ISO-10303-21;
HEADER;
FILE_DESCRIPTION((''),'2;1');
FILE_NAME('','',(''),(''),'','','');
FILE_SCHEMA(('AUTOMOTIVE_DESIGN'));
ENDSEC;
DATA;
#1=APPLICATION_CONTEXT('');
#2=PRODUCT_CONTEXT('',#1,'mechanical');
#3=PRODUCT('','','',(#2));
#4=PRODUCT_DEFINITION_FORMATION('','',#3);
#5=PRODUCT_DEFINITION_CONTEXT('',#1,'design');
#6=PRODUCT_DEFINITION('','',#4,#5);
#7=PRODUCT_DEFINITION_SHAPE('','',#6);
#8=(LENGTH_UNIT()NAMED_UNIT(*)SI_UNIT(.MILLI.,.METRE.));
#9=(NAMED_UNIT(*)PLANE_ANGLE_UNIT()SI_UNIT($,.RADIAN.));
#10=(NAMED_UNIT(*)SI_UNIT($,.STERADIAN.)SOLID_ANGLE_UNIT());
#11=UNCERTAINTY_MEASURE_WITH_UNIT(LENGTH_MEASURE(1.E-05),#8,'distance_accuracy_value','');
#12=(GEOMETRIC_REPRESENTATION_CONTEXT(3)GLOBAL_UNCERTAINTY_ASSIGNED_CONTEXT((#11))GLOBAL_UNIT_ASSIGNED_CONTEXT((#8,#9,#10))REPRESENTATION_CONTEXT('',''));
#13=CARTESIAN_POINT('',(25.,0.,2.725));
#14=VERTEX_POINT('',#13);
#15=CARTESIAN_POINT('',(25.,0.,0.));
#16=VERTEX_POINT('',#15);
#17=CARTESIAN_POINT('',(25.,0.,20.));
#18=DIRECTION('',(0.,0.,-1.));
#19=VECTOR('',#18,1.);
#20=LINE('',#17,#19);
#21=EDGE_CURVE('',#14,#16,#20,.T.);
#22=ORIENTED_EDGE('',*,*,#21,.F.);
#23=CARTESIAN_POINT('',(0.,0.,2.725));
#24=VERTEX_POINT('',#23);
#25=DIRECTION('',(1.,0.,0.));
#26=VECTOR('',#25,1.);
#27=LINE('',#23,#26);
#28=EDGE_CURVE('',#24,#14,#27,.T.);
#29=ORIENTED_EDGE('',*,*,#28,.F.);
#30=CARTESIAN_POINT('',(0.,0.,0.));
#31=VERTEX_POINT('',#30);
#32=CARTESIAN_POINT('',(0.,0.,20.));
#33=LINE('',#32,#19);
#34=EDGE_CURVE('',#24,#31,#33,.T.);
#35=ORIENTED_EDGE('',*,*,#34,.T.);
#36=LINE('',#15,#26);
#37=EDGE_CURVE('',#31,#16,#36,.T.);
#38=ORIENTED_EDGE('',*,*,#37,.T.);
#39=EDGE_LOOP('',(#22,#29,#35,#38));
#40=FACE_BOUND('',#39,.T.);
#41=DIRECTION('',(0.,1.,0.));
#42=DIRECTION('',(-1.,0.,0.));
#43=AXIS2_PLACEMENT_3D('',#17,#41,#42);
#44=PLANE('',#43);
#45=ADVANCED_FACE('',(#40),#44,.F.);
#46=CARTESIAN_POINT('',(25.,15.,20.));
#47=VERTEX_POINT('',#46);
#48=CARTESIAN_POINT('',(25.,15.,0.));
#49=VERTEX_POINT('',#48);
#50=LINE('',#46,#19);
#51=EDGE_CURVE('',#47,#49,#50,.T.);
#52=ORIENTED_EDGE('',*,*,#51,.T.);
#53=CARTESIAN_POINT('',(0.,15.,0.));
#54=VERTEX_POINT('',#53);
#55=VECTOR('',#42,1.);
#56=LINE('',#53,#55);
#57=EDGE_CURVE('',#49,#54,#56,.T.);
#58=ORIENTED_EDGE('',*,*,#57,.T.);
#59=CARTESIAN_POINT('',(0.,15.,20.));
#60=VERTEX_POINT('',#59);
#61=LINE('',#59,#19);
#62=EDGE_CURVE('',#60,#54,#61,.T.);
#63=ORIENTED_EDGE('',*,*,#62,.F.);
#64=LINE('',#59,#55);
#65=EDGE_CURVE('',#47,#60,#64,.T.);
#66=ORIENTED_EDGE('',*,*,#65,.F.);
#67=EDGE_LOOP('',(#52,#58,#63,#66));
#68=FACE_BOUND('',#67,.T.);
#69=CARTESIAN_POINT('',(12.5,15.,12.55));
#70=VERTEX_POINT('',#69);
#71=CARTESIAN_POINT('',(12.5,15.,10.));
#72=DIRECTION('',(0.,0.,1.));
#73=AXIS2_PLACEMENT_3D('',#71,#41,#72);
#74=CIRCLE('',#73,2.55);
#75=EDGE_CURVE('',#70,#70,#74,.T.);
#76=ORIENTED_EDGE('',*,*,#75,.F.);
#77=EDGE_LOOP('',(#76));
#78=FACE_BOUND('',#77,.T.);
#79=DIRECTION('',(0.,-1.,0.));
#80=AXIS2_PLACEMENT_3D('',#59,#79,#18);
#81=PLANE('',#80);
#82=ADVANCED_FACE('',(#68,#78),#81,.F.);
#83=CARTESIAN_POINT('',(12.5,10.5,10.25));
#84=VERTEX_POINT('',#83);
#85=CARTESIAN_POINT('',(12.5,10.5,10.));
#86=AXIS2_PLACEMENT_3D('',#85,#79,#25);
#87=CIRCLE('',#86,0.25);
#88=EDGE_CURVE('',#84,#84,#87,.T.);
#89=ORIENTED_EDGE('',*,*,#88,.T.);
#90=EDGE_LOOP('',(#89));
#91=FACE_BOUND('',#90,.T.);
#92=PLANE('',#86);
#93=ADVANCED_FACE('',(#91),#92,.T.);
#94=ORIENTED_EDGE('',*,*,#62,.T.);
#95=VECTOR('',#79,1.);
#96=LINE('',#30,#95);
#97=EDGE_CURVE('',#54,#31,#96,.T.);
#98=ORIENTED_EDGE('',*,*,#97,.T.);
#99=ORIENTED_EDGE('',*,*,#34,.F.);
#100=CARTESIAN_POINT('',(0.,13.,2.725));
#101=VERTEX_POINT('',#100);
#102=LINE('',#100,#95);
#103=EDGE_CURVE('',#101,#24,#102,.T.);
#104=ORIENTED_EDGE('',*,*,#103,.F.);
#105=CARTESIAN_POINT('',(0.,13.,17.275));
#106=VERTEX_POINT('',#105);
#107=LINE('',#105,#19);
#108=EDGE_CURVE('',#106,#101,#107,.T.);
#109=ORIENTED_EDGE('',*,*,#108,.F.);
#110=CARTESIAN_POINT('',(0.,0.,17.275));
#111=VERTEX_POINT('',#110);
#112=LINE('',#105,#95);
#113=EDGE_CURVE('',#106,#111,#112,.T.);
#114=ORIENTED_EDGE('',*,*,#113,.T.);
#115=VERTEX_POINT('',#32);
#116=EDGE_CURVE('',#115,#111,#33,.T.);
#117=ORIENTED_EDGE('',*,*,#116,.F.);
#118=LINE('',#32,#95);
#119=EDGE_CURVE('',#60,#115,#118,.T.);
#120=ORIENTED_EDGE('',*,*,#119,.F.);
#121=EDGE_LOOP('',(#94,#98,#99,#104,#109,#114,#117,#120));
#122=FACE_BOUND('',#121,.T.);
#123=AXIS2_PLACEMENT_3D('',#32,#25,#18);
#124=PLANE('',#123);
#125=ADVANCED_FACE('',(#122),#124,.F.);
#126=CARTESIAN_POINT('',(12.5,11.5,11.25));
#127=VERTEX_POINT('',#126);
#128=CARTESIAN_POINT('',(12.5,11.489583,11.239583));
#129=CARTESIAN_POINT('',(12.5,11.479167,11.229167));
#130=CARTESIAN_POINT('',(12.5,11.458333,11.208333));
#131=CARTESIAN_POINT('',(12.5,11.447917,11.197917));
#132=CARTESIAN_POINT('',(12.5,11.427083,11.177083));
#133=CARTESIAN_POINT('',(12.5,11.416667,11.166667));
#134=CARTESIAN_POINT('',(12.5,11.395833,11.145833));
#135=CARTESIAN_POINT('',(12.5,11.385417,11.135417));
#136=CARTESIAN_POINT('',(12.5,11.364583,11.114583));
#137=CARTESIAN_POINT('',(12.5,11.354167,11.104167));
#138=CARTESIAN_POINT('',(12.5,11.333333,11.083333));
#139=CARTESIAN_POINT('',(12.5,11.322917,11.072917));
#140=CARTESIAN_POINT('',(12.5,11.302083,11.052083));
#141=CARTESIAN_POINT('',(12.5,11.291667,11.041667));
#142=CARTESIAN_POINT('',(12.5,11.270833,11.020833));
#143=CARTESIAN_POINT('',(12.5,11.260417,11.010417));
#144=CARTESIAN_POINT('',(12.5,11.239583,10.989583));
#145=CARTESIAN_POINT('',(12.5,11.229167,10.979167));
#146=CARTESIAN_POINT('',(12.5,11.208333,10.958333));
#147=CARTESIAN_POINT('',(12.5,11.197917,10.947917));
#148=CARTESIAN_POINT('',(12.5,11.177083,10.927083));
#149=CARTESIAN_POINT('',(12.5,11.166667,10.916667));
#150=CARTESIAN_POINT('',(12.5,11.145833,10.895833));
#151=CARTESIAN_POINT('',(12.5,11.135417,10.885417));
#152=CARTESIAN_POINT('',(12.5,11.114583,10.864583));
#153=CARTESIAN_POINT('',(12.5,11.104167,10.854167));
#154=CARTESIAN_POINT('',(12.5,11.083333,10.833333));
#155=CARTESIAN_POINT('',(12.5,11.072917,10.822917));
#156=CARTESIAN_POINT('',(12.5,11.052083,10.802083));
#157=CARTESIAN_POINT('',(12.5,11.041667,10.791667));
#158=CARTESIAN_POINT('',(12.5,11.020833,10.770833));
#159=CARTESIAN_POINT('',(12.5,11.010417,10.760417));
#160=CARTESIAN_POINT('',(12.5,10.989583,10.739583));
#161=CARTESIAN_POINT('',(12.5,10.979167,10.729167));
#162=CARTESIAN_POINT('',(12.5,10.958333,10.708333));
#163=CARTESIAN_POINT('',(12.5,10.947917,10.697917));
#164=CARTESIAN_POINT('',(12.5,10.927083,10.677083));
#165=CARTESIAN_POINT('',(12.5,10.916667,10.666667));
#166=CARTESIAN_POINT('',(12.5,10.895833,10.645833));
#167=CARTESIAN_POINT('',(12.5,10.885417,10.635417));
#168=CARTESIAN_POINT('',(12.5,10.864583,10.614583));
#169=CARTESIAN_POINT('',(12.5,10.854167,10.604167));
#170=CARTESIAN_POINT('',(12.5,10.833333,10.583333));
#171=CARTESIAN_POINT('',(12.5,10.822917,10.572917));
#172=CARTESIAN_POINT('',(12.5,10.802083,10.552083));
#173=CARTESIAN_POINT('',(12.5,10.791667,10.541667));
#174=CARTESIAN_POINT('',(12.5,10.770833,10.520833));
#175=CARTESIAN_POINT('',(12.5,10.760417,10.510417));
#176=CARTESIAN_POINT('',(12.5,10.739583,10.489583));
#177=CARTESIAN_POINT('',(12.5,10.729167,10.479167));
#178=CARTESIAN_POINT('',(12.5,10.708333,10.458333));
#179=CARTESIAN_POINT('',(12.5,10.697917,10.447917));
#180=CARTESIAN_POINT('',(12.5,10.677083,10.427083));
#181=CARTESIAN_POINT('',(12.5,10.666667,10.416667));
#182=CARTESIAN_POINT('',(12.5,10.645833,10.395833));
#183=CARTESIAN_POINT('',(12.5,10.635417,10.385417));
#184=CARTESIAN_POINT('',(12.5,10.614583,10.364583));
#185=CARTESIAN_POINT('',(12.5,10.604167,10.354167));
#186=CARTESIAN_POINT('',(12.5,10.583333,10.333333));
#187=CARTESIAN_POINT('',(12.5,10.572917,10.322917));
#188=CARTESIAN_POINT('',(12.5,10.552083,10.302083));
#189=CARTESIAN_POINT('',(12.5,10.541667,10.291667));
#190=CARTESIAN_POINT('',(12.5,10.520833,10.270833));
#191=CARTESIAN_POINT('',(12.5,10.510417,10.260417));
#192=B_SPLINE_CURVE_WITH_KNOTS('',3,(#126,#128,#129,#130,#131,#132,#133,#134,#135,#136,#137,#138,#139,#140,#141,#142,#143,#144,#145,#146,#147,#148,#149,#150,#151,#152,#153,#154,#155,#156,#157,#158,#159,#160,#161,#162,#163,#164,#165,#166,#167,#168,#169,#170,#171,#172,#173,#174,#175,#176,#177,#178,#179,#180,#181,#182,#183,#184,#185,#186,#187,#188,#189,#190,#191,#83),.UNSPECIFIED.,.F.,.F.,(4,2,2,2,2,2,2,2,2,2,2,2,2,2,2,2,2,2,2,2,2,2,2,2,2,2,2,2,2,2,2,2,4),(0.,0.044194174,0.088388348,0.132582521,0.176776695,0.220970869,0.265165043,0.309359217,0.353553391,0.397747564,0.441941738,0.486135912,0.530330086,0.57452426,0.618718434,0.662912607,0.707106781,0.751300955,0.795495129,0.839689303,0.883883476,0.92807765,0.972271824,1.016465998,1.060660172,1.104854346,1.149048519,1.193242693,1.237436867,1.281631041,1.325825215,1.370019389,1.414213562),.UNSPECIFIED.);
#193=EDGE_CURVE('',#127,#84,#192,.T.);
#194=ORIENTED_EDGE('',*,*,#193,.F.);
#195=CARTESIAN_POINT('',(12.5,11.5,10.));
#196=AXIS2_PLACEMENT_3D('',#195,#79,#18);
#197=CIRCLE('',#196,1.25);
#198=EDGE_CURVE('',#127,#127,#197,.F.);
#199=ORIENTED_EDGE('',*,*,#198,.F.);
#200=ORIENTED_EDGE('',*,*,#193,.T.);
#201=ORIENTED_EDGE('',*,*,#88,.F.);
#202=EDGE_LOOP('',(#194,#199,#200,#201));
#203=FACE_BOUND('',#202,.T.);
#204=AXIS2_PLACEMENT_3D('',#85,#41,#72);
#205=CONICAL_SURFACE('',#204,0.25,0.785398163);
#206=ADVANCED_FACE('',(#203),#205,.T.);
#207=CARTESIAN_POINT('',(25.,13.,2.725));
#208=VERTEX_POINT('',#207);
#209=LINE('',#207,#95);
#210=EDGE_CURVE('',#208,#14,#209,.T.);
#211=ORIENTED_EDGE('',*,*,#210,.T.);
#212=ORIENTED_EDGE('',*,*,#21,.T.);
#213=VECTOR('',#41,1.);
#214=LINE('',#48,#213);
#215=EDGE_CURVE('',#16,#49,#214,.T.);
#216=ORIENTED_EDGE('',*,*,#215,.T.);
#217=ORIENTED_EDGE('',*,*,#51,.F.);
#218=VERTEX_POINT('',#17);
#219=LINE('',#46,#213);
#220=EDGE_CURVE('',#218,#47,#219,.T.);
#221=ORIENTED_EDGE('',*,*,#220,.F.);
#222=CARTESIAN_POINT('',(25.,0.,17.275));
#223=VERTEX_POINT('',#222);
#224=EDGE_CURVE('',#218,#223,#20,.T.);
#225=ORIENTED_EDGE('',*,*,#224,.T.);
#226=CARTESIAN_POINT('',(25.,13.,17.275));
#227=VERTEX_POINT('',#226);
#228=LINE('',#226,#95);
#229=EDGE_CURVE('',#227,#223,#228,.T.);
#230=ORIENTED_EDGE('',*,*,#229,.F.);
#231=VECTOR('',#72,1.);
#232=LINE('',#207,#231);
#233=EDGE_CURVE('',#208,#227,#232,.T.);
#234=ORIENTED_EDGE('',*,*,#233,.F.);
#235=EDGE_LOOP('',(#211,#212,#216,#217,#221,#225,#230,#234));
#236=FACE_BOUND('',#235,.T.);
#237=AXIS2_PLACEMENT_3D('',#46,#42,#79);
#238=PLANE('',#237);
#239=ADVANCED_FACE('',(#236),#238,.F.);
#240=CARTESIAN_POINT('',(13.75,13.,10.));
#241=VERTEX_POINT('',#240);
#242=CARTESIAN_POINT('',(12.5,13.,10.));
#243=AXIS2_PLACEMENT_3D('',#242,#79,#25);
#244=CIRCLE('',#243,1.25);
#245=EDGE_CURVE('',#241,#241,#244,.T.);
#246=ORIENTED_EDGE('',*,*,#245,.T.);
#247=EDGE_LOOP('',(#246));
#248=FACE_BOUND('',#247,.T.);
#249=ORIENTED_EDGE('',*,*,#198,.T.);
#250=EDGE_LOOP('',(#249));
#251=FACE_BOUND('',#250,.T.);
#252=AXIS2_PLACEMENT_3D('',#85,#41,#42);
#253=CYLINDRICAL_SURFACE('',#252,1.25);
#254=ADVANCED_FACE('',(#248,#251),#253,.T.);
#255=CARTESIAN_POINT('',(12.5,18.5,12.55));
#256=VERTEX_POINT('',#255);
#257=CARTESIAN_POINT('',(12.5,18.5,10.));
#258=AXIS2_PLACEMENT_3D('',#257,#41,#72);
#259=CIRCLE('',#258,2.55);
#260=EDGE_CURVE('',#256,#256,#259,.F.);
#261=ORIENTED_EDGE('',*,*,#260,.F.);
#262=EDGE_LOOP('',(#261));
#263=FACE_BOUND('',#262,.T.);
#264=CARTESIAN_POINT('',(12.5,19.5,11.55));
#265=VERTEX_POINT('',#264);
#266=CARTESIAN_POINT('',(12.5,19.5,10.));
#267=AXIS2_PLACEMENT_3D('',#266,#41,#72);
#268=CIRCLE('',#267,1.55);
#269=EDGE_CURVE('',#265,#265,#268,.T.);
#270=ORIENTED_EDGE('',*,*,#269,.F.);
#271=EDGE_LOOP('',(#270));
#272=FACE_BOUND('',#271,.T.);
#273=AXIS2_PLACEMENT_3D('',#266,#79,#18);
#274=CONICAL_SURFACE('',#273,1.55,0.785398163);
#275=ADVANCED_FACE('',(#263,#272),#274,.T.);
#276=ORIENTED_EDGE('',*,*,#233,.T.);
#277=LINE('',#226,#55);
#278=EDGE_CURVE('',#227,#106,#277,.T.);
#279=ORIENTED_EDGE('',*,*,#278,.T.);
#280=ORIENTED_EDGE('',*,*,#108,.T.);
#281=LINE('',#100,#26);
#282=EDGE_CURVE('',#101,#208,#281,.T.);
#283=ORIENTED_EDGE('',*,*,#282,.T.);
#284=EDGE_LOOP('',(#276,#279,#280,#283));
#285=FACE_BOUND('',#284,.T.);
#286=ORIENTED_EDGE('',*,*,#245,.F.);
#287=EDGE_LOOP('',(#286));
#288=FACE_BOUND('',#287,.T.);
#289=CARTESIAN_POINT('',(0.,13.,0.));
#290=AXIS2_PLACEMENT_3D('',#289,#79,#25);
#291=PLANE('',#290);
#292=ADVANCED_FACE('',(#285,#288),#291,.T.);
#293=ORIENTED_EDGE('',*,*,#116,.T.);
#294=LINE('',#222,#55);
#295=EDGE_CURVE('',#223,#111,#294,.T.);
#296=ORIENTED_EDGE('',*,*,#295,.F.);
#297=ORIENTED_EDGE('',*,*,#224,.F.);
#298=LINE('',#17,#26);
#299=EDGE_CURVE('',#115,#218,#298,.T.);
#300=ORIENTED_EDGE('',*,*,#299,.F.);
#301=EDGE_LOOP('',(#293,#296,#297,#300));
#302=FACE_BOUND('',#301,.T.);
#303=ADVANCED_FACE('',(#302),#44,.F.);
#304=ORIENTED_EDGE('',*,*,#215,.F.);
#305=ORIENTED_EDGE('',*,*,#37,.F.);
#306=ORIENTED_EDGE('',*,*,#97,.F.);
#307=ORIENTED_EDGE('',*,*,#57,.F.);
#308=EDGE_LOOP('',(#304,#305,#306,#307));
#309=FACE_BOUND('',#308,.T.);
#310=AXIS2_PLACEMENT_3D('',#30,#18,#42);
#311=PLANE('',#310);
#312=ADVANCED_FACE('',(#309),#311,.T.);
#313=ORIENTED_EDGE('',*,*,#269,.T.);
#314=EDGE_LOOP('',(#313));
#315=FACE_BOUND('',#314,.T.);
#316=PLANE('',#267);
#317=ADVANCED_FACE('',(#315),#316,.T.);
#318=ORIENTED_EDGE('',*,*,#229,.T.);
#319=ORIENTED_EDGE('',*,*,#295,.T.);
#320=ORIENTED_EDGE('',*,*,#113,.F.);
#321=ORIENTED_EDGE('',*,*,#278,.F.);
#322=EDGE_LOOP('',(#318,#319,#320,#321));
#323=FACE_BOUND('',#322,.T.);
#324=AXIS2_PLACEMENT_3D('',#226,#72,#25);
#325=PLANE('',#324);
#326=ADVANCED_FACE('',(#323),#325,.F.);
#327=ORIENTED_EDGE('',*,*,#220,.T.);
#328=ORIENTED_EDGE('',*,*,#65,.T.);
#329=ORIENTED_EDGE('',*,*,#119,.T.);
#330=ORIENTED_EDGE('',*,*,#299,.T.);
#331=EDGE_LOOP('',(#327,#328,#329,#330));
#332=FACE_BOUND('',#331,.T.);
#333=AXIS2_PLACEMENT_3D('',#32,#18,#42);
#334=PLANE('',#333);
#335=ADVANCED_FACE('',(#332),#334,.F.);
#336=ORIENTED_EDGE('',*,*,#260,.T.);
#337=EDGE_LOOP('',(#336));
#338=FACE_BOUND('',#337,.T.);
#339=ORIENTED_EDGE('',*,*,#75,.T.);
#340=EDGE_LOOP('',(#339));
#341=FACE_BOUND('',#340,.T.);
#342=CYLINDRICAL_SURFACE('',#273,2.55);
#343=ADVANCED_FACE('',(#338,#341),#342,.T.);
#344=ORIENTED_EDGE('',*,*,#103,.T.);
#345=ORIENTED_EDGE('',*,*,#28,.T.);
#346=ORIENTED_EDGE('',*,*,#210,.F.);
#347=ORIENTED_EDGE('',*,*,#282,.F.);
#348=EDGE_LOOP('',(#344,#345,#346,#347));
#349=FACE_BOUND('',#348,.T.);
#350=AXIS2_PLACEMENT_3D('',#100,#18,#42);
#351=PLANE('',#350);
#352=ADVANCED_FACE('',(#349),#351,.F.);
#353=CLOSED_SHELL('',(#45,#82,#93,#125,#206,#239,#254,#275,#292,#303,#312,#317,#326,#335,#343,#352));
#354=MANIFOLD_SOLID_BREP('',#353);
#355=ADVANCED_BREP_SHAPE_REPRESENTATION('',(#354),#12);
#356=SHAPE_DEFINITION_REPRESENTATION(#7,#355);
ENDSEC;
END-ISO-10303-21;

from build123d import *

# Parameters (mm, degrees)
SKETCH1_W           = 25
SKETCH1_H           = 15
BOSS_EXTRUDE1_DEPTH = 20
SKETCH2_W           = 25
SKETCH2_H           = 14.55
CUT_EXTRUDE1_DEPTH  = 13
SKETCH4_R           = 2.55
BOSS_EXTRUDE2_DEPTH = 4.5
CHAMFER1_SIZE       = 1
SKETCH5_R           = 1.25
BOSS_EXTRUDE3_DEPTH = 2.5
CHAMFER2_SIZE       = 1


with BuildPart() as part:
    # Sketch1 → Boss-Extrude1 (new body)
    with BuildSketch(Plane.XY):
        with Locations((12.5, 7.5)):
            Rectangle(SKETCH1_W, SKETCH1_H)
    extrude(amount=BOSS_EXTRUDE1_DEPTH)

    # Sketch2 → Cut-Extrude1 (cut)
    with BuildSketch(Plane.XZ):
        with Locations((12.5, 10)):
            Rectangle(SKETCH2_W, SKETCH2_H)
    extrude(amount=-CUT_EXTRUDE1_DEPTH, mode=Mode.SUBTRACT)

    # Sketch4 → Boss-Extrude2 (add)
    with BuildSketch(Plane(origin=(0, 15, 0), x_dir=(1, 0, 0), z_dir=(0, 1, 0))):
        with Locations(Location((12.5, -10, 0), (0, 0, 270))):
            Circle(SKETCH4_R)
    extrude(amount=BOSS_EXTRUDE2_DEPTH)

    # Chamfer1
    chamfer1_edges = [part.edges().sort_by_distance(p)[0] for p in [
        (12.5, 19.5, 7.45),
    ]]
    chamfer(chamfer1_edges, length=CHAMFER1_SIZE)

    # Sketch5 → Boss-Extrude3 (add)
    with BuildSketch(Plane(origin=(0, 13, 0), x_dir=(-1, 0, 0), z_dir=(0, -1, 0))):
        with Locations(Location((-12.5, -10, 0), (0, 0, 180))):
            Circle(SKETCH5_R)
    extrude(amount=BOSS_EXTRUDE3_DEPTH)

    # Chamfer2
    chamfer2_edges = [part.edges().sort_by_distance(p)[0] for p in [
        (11.25, 10.5, 10),
    ]]
    chamfer(chamfer2_edges, length=CHAMFER2_SIZE)


solid = part.part
